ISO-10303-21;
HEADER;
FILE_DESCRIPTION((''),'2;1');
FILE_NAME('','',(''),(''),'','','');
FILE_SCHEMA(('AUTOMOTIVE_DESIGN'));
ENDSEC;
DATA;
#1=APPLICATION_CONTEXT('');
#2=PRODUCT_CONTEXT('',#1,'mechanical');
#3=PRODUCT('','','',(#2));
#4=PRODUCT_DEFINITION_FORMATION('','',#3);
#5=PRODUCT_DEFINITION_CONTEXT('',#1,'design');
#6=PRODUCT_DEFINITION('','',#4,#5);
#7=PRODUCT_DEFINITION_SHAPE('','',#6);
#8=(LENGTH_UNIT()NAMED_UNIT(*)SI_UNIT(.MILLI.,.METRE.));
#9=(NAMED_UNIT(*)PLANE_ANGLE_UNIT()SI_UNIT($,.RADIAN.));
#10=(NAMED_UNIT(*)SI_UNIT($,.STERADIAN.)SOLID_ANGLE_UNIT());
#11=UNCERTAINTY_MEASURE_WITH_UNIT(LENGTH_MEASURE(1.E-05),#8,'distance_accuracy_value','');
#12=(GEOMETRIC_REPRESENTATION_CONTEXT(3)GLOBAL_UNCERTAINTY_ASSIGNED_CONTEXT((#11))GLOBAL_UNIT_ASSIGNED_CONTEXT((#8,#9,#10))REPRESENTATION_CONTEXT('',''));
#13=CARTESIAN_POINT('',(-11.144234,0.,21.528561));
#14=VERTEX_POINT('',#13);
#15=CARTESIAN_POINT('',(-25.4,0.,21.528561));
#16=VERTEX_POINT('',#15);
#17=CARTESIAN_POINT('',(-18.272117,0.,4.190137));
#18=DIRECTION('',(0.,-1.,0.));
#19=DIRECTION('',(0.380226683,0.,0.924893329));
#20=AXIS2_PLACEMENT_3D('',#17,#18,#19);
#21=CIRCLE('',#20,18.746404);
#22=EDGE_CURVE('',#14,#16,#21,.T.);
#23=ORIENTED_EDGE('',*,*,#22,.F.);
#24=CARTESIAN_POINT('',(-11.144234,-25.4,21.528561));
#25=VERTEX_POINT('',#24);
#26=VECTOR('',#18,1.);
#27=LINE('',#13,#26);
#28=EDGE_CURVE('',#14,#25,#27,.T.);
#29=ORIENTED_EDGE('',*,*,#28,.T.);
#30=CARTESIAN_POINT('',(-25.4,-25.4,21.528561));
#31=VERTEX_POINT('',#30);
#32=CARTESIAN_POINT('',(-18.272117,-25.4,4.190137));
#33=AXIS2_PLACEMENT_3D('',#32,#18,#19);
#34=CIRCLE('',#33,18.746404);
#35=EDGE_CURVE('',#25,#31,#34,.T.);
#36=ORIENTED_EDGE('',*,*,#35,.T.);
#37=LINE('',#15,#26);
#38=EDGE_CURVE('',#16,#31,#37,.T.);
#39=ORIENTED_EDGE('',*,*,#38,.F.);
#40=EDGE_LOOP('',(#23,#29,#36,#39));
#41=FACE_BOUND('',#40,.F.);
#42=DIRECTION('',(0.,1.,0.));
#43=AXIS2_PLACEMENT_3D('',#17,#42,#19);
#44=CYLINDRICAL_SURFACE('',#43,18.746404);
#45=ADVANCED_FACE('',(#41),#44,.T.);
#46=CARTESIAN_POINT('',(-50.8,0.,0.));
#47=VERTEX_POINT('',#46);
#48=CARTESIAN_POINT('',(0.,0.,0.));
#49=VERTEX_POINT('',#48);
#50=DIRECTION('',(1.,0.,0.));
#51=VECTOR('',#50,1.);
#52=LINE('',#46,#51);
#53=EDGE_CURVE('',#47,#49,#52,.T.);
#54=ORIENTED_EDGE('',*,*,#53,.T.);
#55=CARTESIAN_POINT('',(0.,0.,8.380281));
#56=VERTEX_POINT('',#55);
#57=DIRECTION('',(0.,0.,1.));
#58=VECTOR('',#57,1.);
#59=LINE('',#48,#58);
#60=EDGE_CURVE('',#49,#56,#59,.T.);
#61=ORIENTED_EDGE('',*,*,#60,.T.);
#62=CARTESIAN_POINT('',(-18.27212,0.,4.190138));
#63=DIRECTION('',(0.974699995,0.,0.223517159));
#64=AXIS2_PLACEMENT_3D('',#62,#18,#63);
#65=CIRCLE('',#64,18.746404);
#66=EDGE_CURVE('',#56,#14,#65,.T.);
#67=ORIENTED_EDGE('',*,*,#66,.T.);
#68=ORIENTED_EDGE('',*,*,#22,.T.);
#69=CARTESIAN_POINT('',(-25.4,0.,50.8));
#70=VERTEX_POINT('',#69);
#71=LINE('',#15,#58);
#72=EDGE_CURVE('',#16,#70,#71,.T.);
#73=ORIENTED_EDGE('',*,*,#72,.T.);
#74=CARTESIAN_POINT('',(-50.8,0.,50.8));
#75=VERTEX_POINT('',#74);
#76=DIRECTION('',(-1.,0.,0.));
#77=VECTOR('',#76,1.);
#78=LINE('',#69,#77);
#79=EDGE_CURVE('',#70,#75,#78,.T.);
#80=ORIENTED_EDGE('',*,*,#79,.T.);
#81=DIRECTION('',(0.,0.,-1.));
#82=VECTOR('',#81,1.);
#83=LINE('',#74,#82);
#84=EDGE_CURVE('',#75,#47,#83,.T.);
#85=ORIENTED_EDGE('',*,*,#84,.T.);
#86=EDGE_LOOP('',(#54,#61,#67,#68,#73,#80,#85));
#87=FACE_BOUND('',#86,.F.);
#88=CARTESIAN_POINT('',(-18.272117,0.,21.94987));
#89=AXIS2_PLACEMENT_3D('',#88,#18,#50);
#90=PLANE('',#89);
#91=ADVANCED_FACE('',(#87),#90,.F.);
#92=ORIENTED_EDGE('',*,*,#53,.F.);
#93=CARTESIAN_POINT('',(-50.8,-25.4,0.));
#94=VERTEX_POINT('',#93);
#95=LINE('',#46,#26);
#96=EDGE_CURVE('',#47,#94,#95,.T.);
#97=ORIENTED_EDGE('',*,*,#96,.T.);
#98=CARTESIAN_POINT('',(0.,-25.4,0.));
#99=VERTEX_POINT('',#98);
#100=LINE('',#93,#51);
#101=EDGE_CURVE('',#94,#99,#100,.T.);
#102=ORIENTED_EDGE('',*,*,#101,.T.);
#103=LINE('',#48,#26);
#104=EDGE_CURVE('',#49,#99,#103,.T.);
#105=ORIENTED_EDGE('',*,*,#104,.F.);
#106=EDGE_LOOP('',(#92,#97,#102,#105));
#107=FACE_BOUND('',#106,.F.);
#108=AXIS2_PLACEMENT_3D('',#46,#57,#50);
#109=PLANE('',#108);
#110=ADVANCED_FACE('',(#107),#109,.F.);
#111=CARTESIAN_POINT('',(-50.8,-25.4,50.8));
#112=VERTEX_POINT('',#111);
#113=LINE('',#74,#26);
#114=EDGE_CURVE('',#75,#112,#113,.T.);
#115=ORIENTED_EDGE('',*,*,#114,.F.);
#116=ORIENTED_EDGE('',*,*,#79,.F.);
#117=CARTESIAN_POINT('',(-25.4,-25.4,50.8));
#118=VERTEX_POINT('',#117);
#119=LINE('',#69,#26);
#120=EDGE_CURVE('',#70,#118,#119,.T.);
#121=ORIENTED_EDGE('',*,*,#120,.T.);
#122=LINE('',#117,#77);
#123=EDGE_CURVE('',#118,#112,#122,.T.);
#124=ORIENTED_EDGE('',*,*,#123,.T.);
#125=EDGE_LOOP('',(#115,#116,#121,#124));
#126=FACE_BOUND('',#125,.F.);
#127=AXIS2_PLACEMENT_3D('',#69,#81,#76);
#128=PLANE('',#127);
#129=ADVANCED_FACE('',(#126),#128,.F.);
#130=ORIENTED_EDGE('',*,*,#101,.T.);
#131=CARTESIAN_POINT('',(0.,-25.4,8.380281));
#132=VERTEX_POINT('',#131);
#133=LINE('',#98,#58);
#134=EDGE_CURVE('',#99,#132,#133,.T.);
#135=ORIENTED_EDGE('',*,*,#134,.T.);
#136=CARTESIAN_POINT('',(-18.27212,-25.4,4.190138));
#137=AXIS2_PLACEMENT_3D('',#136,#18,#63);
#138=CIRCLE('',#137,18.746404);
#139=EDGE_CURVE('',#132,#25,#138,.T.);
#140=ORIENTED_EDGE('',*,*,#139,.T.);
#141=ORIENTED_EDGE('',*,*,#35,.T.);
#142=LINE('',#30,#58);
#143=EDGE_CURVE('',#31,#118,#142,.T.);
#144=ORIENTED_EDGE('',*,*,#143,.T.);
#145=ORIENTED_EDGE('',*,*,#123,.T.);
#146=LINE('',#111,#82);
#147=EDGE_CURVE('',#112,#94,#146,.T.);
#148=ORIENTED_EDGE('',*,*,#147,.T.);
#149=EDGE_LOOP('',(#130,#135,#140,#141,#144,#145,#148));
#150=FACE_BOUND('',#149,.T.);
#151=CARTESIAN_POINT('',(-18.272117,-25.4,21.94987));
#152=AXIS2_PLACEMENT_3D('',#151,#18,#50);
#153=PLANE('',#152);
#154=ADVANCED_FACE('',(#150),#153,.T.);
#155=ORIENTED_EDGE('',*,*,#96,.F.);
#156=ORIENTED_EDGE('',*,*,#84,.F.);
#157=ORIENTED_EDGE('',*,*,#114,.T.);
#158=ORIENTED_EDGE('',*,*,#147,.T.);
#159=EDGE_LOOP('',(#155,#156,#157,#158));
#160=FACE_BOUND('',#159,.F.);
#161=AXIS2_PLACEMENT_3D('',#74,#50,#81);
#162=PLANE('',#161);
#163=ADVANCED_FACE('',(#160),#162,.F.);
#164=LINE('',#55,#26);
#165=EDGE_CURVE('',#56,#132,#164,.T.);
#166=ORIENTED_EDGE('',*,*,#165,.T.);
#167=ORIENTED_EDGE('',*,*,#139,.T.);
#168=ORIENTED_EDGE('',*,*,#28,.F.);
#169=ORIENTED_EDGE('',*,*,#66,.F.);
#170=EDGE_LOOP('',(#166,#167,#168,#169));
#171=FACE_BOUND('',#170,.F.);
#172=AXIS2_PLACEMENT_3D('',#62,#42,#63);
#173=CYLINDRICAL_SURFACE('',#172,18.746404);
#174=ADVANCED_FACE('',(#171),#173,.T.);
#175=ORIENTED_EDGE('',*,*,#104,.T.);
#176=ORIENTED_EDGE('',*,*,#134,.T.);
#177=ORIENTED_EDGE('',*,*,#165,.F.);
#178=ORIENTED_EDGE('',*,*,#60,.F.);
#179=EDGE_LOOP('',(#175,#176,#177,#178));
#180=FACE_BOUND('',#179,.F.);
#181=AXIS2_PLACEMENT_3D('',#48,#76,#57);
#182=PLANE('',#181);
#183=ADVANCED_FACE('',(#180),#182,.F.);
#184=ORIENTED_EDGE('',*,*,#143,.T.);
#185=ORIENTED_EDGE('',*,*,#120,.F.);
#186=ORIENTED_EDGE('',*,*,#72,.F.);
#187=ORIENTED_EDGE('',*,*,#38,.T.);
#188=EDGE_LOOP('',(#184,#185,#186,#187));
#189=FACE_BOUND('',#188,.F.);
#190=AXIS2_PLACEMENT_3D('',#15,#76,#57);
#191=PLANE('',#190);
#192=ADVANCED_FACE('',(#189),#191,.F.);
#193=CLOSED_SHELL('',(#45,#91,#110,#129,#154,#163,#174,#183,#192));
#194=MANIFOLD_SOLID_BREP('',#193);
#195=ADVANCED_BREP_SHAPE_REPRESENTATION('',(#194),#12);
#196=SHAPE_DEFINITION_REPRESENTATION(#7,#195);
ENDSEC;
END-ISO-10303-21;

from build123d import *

# Parameters (mm, degrees)
F1_DEPTH = 25.4
F2_DEPTH = 25.4


with BuildPart() as f1:
    # F0 (on Front) → F1 (new body)
    with BuildSketch(Plane.XZ):
        with BuildLine():
            Line((-50.8, 0), (0, 0))
            Line((0, 0), (0, 8.380281))
            ThreePointArc((0, 8.380281), (-3.971442, 16.311123), (-11.144234, 21.528561))
            Line((-11.144234, 21.528561), (-25.4, 21.528561))
            Line((-25.4, 21.528561), (-25.4, 25.4))
            Line((-25.4, 25.4), (-25.4, 50.8))
            Line((-25.4, 50.8), (-50.8, 50.8))
            Line((-50.8, 50.8), (-50.8, 0))
        make_face()
    extrude(amount=F1_DEPTH)

    # F0 (on Front) → F2 (join)
    with BuildSketch(Plane.XZ):
        with BuildLine():
            Line((-25.4, 21.528561), (-11.144234, 21.528561))
            ThreePointArc((-11.144234, 21.528561), (-18.272117, 22.936541), (-25.4, 21.528561))
        make_face()
    extrude(amount=F2_DEPTH)


solid = f1.part
